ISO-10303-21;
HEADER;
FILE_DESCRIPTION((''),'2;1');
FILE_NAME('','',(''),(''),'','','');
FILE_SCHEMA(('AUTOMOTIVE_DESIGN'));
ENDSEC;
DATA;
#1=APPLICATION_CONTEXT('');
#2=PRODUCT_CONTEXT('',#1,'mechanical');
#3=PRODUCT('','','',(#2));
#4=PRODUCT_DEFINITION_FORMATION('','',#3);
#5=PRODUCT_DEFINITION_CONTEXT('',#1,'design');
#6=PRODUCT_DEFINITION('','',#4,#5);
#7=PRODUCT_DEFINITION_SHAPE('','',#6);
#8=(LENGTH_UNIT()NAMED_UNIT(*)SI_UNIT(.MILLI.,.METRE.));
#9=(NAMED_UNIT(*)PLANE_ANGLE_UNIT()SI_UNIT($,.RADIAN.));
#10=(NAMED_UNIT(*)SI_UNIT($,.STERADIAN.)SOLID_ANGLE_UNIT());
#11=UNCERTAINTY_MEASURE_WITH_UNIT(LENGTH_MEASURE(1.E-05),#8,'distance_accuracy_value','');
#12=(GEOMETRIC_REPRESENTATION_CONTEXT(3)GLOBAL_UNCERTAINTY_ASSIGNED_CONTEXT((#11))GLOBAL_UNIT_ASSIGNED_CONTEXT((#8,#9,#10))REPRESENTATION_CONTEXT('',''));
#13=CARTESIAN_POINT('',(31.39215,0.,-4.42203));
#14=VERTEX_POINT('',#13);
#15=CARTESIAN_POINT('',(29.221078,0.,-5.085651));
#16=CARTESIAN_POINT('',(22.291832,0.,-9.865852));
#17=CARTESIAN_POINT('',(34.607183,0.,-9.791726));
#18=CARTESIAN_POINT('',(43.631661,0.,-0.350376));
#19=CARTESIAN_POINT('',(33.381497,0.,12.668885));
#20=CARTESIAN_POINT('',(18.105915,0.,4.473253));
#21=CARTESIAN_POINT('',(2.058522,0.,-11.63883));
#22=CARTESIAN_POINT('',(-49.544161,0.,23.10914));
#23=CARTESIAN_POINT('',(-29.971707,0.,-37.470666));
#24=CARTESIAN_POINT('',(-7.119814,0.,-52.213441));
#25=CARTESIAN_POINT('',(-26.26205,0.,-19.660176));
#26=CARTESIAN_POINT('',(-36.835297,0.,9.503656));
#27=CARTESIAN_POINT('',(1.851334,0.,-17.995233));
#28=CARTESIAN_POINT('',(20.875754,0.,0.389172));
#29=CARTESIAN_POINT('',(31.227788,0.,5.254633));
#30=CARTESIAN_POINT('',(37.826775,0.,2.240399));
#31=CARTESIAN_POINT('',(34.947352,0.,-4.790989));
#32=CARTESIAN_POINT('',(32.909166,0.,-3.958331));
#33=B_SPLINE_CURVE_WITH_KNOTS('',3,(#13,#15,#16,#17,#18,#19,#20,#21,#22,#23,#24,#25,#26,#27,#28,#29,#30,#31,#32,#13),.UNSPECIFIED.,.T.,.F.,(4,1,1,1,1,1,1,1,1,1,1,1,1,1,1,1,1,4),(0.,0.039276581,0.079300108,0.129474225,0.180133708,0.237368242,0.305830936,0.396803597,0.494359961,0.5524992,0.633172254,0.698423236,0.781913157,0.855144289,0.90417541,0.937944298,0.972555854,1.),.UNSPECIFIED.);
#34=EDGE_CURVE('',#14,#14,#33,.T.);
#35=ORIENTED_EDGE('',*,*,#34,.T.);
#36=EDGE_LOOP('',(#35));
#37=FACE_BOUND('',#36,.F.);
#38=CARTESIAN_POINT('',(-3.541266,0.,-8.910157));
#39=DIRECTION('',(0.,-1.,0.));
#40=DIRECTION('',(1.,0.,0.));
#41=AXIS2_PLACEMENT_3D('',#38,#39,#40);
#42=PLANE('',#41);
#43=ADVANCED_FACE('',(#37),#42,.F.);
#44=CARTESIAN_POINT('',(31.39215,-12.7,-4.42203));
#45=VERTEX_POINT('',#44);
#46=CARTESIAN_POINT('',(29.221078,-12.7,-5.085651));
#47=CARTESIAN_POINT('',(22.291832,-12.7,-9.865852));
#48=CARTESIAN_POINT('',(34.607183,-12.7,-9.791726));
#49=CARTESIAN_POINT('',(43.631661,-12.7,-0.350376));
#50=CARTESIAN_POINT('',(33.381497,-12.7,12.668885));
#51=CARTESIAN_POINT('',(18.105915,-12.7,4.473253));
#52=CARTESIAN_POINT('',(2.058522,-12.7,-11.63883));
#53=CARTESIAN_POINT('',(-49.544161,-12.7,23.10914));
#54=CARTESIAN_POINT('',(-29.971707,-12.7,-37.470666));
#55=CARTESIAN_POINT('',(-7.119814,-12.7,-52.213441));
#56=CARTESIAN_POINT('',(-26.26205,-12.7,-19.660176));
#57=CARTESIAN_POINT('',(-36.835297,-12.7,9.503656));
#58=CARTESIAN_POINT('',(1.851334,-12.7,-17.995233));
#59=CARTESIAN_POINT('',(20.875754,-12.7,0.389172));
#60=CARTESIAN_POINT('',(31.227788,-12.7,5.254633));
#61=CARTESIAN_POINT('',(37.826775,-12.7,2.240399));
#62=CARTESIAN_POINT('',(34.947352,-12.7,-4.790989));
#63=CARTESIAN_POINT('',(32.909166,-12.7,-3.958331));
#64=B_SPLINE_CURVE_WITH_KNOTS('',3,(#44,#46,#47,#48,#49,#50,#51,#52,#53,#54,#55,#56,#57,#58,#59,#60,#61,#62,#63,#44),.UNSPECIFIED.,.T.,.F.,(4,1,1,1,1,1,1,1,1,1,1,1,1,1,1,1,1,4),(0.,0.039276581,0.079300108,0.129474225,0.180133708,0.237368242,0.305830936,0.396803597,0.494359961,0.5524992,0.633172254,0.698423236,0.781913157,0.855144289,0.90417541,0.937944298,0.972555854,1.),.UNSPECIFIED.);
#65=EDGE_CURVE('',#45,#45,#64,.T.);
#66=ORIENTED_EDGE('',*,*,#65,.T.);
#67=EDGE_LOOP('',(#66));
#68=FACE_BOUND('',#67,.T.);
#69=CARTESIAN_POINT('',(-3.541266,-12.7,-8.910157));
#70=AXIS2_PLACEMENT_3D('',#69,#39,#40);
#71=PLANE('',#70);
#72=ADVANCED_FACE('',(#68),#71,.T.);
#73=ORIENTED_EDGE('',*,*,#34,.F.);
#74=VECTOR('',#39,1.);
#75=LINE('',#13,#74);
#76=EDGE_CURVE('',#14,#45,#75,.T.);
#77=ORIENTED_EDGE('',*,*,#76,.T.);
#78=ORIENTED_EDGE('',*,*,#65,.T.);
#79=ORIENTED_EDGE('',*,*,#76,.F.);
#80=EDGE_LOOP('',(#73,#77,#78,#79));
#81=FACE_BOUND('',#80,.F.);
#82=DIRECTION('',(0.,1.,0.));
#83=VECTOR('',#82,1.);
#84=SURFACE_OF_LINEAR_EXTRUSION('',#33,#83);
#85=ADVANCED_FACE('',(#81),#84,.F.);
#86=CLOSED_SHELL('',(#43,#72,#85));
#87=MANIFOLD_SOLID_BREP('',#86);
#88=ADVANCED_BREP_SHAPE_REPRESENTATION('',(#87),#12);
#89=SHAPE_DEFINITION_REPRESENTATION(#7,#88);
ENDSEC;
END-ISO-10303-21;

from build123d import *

# Parameters (mm, degrees)
F1_DEPTH = 12.7


with BuildPart() as f1:
    # F0 (on Front) → F1 (new body)
    with BuildSketch(Plane.XZ):
        with BuildLine():
            add(Edge.make_bspline(
                [(31.3921496272, -4.422029946), (29.2210776513, -5.0856508722), (22.2918323796, -9.8658520914), (34.6071826018, -9.7917258341), (43.6316611847, -0.3503756964), (33.3814974765, 12.6688854806), (18.1059152413, 4.4732532542), (2.0585217409, -11.6388295321), (-49.544161141, 23.10913995), (-29.9717070485, -37.4706662309), (-7.1198139326, -52.2134407212), (-26.262050489, -19.6601760085), (-36.8352965956, 9.5036564862), (1.8513335788, -17.9952334824), (20.8757535761, 0.3891719262), (31.2277880223, 5.2546327413), (37.8267749998, 2.2403989604), (34.9473521977, -4.7909894574), (32.9091659936, -3.9583309912), (31.3921496272, -4.422029946)],
                knots=[0, 0, 0, 0, 0.0392765814, 0.079300108, 0.1294742254, 0.1801337078, 0.2373682424, 0.3058309365, 0.3968035972, 0.4943599611, 0.5524992003, 0.6331722543, 0.6984232356, 0.7819131573, 0.855144289, 0.9041754102, 0.9379442976, 0.9725558538, 1, 1, 1, 1], degree=3))
        make_face()
    extrude(amount=F1_DEPTH)


solid = f1.part
